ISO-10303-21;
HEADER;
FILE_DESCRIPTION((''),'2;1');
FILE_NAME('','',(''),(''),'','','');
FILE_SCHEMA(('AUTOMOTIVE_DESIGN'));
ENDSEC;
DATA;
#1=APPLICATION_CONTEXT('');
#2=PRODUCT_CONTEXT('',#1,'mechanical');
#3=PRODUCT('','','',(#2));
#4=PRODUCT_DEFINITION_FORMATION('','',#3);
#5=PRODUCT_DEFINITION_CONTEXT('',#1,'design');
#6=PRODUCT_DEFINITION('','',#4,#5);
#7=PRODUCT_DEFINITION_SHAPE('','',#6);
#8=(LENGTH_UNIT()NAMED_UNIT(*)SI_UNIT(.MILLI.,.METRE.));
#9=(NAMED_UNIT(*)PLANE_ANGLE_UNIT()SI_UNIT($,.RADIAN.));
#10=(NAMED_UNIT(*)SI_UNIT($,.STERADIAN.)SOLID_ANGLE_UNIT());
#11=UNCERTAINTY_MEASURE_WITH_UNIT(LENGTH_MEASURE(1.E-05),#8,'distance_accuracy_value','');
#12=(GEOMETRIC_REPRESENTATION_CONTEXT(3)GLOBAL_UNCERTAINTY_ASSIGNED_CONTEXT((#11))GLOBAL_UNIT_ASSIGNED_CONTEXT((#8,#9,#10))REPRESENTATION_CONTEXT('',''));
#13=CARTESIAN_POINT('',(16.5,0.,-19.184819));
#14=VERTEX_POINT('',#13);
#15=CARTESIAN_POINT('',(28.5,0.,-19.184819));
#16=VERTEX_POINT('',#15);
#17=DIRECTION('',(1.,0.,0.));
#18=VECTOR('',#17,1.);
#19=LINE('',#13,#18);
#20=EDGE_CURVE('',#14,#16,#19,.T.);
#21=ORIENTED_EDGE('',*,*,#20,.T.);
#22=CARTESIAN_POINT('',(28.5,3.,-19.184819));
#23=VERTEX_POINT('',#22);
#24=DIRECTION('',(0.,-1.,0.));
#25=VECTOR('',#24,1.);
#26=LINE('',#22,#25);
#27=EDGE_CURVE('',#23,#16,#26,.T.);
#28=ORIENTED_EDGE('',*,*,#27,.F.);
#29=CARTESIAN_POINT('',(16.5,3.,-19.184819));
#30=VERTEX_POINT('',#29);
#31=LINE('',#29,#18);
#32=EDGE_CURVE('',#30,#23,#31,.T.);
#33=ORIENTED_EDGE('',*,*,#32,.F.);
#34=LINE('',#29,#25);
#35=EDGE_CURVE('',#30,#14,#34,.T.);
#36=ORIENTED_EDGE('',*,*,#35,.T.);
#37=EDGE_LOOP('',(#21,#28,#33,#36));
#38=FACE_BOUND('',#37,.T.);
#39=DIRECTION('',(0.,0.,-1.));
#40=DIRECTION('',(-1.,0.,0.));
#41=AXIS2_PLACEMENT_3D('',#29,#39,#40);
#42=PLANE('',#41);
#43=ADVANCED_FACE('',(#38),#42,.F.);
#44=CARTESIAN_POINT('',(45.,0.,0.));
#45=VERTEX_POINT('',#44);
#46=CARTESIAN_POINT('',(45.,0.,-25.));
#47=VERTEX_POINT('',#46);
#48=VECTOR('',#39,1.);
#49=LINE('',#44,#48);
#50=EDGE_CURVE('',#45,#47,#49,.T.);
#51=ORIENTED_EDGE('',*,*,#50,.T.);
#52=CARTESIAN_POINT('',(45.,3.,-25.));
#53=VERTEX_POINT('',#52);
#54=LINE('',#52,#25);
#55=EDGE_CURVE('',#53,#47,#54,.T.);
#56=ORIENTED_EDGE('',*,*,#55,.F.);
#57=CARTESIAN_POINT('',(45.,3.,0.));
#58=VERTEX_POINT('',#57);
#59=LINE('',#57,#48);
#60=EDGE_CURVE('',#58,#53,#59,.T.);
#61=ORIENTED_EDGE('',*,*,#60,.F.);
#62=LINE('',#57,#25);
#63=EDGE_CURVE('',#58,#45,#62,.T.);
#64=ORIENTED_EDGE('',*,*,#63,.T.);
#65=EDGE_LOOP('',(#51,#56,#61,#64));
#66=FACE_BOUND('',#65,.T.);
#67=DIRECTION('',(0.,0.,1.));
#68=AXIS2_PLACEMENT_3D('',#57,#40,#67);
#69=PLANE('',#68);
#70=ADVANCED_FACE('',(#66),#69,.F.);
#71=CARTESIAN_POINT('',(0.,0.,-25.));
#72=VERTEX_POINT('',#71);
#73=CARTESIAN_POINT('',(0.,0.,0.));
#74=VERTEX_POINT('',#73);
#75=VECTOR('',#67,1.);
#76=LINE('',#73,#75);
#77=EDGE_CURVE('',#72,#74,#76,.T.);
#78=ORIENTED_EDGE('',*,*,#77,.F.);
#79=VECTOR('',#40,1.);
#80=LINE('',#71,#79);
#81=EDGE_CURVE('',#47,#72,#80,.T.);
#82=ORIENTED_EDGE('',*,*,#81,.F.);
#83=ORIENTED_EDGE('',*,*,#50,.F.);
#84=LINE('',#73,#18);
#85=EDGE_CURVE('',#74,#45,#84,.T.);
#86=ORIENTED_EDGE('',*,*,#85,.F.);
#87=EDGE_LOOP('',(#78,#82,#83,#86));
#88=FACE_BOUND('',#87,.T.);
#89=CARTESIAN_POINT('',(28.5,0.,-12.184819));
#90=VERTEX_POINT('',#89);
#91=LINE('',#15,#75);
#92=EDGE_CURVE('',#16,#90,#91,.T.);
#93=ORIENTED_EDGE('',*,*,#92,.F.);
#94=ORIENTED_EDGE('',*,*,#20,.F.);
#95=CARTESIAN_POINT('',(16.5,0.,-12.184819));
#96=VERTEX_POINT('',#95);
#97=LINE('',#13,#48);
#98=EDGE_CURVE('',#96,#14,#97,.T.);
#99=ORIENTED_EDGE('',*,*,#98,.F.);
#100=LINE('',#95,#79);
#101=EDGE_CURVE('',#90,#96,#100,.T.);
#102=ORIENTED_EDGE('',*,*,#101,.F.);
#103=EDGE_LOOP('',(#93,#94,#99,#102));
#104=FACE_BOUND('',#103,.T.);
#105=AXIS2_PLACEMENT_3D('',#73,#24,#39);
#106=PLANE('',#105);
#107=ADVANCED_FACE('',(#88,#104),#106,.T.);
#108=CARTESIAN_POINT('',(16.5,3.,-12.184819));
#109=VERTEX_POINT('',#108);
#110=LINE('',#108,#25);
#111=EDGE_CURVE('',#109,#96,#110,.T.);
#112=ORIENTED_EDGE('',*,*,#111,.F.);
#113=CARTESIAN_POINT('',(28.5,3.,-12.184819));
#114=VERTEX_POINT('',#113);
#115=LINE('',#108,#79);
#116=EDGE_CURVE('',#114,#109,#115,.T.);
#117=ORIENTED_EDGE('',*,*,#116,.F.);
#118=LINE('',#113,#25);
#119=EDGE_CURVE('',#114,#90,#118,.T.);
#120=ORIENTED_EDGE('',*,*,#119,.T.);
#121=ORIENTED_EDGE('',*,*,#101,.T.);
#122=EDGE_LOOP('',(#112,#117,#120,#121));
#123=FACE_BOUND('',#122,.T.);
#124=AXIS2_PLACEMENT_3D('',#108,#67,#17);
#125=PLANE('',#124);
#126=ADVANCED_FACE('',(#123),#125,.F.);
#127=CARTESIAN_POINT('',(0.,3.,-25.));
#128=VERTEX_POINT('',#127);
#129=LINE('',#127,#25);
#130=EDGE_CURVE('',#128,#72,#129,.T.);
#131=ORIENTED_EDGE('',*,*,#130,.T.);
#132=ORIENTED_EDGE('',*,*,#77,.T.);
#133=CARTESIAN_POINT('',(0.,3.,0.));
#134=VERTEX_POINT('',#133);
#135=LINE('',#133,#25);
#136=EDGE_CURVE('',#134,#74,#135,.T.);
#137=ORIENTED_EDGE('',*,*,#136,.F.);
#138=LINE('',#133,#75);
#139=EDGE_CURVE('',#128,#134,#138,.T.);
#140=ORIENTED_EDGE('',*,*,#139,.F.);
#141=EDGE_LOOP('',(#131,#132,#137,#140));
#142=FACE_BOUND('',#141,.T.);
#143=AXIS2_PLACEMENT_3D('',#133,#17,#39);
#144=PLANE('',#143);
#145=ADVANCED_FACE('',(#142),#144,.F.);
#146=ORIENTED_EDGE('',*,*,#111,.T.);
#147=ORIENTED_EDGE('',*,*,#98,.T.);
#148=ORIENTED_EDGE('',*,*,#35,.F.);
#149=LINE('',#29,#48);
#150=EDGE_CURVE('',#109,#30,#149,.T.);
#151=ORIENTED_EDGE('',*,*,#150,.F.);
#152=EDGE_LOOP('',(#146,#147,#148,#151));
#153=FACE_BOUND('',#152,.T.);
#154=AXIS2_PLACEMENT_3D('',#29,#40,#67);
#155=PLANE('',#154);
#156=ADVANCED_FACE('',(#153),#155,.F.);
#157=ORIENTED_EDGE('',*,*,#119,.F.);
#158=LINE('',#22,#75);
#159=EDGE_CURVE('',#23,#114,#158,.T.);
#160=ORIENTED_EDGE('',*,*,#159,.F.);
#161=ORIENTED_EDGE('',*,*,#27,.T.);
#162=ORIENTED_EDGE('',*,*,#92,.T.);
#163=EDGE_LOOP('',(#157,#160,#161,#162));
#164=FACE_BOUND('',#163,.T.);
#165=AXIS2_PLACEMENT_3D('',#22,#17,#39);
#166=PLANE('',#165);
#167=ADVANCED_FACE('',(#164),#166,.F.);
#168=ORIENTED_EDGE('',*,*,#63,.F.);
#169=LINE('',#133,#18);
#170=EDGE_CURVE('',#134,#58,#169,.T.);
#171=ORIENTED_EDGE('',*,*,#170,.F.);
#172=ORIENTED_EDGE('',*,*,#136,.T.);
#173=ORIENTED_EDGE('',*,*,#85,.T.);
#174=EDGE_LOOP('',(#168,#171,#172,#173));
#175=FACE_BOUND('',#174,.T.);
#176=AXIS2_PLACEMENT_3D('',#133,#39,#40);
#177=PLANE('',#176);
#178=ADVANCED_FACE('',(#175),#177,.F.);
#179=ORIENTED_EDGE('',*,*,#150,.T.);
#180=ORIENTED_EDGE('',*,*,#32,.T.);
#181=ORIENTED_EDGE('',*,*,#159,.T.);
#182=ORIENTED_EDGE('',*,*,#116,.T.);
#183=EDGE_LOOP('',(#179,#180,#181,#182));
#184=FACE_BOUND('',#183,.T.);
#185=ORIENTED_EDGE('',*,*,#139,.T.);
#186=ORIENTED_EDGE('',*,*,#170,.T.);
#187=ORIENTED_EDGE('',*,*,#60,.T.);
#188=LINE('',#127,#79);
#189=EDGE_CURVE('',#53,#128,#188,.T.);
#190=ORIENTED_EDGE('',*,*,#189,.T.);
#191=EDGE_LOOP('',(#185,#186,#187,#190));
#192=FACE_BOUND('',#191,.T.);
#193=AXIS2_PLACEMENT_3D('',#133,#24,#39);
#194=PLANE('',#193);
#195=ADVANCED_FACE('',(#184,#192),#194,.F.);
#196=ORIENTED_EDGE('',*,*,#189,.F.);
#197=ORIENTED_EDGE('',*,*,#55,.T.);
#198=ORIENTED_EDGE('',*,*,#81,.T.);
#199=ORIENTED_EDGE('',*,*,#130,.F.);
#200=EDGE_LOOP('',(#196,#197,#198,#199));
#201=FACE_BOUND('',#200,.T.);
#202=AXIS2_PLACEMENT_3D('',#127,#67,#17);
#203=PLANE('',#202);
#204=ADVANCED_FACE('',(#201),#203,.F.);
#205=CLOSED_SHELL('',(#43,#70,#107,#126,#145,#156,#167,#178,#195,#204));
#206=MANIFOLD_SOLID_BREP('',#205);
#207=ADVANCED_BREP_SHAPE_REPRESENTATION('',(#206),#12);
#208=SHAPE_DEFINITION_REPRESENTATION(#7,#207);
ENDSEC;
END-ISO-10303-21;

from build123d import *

# Parameters (mm, degrees)
SKETCH1_W           = 45
SKETCH1_H           = 25
BOSS_EXTRUDE1_DEPTH = 3
SKETCH2_W           = 12
SKETCH2_H           = 7
CUT_EXTRUDE1_DEPTH  = 3


with BuildPart() as part:
    # Sketch1 → Boss-Extrude1 (new body)
    with BuildSketch(Plane(origin=(0, 0, 0), x_dir=(1, 0, 0), z_dir=(0, 1, 0))):
        with Locations((22.5, 12.5)):
            Rectangle(SKETCH1_W, SKETCH1_H)
    extrude(amount=BOSS_EXTRUDE1_DEPTH)

    # Sketch2 → Cut-Extrude1 (cut)
    with BuildSketch(Plane.XZ):
        with Locations((22.5, -15.684819353)):
            Rectangle(SKETCH2_W, SKETCH2_H)
    extrude(amount=-CUT_EXTRUDE1_DEPTH, mode=Mode.SUBTRACT)


solid = part.part
